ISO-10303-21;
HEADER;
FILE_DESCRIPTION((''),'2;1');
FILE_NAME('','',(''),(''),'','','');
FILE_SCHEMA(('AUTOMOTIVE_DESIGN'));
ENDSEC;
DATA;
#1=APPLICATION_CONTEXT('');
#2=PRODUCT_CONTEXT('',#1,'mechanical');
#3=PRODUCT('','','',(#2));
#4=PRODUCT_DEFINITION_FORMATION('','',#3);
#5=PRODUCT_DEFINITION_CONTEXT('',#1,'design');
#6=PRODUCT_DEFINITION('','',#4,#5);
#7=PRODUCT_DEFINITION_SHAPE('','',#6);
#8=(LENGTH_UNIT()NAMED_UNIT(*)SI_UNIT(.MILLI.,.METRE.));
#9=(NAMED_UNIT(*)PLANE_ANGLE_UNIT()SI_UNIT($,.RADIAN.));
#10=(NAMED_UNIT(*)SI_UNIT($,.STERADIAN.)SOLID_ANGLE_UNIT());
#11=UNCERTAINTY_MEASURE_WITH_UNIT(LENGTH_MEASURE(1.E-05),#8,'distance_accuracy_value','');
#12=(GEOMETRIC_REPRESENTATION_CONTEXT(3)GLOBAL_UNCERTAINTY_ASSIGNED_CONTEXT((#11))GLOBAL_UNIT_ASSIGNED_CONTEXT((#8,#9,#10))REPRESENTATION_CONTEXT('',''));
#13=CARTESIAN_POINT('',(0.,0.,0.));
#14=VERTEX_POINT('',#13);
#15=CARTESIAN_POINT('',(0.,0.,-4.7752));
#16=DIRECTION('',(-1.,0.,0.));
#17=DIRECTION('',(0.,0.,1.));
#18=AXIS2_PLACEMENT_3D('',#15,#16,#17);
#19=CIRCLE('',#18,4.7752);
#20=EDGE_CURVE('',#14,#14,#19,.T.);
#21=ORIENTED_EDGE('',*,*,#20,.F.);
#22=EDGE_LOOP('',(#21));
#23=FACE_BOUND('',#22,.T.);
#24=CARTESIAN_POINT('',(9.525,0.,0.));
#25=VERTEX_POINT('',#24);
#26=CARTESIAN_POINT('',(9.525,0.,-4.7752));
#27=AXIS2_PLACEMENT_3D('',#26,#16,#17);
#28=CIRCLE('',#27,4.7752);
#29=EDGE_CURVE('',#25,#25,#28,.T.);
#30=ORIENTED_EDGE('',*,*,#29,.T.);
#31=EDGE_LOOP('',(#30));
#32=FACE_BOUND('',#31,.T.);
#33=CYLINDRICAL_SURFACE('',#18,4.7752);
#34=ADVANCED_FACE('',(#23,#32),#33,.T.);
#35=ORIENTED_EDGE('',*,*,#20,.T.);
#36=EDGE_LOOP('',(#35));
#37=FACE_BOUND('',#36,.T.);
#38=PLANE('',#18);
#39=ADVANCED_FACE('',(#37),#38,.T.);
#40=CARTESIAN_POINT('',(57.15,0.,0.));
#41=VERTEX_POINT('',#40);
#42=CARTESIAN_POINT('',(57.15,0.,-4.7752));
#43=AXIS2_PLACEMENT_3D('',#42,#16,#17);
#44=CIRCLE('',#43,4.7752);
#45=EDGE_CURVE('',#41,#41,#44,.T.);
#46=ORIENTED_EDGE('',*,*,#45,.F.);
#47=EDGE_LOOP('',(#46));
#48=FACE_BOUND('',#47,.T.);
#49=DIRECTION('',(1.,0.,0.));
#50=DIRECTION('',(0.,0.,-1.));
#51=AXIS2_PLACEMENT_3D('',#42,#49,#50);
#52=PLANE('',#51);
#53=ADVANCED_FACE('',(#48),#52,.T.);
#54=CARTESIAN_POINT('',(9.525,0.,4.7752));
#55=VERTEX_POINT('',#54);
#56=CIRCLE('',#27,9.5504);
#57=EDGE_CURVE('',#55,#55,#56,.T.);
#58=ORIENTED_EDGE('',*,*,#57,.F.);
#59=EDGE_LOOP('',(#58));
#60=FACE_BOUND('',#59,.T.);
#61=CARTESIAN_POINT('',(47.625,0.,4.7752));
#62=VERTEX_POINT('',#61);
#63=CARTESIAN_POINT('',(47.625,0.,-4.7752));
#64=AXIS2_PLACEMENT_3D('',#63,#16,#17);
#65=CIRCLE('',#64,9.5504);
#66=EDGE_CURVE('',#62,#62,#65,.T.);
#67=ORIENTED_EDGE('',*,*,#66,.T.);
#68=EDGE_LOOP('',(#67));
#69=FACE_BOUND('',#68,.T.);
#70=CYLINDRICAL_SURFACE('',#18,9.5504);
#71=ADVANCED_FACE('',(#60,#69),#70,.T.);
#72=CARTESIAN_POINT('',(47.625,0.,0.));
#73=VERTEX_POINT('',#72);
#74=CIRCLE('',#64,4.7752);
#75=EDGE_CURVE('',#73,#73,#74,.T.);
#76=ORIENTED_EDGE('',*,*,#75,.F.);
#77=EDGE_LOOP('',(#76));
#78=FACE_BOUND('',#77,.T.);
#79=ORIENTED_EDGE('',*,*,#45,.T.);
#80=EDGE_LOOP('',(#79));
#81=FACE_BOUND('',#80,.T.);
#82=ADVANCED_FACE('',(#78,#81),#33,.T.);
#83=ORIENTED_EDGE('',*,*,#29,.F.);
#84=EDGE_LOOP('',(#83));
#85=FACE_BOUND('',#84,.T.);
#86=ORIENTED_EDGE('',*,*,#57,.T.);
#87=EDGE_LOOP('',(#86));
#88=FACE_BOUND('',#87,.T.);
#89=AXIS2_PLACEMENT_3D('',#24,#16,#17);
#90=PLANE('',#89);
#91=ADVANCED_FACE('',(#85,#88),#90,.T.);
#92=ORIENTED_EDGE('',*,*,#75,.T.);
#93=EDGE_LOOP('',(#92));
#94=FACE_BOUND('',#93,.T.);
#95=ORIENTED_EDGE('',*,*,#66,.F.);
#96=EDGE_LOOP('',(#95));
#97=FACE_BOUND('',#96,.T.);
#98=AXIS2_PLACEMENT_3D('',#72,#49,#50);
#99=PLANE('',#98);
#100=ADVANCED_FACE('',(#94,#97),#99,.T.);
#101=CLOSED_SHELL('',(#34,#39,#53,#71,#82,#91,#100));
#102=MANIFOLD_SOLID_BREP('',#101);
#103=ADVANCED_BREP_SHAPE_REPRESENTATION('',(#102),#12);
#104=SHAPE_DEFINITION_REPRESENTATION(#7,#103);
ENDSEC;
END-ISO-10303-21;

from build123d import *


with BuildPart() as part:
    # Sketch1 → Revolve2 (revolve)
    with BuildSketch(Plane(origin=(0, 0, 0), x_dir=(1, 0, 0), z_dir=(0, 1, 0))):
        Polygon((0, 4.7752), (0, 0), (9.525, 0), (9.525, -4.7752), (47.625, -4.7752), (47.625, 0), (57.15, 0), (57.15, 4.7752), align=None)
    revolve(axis=Axis((0, 0, -4.7752), (1, 0, 0)))


solid = part.part
